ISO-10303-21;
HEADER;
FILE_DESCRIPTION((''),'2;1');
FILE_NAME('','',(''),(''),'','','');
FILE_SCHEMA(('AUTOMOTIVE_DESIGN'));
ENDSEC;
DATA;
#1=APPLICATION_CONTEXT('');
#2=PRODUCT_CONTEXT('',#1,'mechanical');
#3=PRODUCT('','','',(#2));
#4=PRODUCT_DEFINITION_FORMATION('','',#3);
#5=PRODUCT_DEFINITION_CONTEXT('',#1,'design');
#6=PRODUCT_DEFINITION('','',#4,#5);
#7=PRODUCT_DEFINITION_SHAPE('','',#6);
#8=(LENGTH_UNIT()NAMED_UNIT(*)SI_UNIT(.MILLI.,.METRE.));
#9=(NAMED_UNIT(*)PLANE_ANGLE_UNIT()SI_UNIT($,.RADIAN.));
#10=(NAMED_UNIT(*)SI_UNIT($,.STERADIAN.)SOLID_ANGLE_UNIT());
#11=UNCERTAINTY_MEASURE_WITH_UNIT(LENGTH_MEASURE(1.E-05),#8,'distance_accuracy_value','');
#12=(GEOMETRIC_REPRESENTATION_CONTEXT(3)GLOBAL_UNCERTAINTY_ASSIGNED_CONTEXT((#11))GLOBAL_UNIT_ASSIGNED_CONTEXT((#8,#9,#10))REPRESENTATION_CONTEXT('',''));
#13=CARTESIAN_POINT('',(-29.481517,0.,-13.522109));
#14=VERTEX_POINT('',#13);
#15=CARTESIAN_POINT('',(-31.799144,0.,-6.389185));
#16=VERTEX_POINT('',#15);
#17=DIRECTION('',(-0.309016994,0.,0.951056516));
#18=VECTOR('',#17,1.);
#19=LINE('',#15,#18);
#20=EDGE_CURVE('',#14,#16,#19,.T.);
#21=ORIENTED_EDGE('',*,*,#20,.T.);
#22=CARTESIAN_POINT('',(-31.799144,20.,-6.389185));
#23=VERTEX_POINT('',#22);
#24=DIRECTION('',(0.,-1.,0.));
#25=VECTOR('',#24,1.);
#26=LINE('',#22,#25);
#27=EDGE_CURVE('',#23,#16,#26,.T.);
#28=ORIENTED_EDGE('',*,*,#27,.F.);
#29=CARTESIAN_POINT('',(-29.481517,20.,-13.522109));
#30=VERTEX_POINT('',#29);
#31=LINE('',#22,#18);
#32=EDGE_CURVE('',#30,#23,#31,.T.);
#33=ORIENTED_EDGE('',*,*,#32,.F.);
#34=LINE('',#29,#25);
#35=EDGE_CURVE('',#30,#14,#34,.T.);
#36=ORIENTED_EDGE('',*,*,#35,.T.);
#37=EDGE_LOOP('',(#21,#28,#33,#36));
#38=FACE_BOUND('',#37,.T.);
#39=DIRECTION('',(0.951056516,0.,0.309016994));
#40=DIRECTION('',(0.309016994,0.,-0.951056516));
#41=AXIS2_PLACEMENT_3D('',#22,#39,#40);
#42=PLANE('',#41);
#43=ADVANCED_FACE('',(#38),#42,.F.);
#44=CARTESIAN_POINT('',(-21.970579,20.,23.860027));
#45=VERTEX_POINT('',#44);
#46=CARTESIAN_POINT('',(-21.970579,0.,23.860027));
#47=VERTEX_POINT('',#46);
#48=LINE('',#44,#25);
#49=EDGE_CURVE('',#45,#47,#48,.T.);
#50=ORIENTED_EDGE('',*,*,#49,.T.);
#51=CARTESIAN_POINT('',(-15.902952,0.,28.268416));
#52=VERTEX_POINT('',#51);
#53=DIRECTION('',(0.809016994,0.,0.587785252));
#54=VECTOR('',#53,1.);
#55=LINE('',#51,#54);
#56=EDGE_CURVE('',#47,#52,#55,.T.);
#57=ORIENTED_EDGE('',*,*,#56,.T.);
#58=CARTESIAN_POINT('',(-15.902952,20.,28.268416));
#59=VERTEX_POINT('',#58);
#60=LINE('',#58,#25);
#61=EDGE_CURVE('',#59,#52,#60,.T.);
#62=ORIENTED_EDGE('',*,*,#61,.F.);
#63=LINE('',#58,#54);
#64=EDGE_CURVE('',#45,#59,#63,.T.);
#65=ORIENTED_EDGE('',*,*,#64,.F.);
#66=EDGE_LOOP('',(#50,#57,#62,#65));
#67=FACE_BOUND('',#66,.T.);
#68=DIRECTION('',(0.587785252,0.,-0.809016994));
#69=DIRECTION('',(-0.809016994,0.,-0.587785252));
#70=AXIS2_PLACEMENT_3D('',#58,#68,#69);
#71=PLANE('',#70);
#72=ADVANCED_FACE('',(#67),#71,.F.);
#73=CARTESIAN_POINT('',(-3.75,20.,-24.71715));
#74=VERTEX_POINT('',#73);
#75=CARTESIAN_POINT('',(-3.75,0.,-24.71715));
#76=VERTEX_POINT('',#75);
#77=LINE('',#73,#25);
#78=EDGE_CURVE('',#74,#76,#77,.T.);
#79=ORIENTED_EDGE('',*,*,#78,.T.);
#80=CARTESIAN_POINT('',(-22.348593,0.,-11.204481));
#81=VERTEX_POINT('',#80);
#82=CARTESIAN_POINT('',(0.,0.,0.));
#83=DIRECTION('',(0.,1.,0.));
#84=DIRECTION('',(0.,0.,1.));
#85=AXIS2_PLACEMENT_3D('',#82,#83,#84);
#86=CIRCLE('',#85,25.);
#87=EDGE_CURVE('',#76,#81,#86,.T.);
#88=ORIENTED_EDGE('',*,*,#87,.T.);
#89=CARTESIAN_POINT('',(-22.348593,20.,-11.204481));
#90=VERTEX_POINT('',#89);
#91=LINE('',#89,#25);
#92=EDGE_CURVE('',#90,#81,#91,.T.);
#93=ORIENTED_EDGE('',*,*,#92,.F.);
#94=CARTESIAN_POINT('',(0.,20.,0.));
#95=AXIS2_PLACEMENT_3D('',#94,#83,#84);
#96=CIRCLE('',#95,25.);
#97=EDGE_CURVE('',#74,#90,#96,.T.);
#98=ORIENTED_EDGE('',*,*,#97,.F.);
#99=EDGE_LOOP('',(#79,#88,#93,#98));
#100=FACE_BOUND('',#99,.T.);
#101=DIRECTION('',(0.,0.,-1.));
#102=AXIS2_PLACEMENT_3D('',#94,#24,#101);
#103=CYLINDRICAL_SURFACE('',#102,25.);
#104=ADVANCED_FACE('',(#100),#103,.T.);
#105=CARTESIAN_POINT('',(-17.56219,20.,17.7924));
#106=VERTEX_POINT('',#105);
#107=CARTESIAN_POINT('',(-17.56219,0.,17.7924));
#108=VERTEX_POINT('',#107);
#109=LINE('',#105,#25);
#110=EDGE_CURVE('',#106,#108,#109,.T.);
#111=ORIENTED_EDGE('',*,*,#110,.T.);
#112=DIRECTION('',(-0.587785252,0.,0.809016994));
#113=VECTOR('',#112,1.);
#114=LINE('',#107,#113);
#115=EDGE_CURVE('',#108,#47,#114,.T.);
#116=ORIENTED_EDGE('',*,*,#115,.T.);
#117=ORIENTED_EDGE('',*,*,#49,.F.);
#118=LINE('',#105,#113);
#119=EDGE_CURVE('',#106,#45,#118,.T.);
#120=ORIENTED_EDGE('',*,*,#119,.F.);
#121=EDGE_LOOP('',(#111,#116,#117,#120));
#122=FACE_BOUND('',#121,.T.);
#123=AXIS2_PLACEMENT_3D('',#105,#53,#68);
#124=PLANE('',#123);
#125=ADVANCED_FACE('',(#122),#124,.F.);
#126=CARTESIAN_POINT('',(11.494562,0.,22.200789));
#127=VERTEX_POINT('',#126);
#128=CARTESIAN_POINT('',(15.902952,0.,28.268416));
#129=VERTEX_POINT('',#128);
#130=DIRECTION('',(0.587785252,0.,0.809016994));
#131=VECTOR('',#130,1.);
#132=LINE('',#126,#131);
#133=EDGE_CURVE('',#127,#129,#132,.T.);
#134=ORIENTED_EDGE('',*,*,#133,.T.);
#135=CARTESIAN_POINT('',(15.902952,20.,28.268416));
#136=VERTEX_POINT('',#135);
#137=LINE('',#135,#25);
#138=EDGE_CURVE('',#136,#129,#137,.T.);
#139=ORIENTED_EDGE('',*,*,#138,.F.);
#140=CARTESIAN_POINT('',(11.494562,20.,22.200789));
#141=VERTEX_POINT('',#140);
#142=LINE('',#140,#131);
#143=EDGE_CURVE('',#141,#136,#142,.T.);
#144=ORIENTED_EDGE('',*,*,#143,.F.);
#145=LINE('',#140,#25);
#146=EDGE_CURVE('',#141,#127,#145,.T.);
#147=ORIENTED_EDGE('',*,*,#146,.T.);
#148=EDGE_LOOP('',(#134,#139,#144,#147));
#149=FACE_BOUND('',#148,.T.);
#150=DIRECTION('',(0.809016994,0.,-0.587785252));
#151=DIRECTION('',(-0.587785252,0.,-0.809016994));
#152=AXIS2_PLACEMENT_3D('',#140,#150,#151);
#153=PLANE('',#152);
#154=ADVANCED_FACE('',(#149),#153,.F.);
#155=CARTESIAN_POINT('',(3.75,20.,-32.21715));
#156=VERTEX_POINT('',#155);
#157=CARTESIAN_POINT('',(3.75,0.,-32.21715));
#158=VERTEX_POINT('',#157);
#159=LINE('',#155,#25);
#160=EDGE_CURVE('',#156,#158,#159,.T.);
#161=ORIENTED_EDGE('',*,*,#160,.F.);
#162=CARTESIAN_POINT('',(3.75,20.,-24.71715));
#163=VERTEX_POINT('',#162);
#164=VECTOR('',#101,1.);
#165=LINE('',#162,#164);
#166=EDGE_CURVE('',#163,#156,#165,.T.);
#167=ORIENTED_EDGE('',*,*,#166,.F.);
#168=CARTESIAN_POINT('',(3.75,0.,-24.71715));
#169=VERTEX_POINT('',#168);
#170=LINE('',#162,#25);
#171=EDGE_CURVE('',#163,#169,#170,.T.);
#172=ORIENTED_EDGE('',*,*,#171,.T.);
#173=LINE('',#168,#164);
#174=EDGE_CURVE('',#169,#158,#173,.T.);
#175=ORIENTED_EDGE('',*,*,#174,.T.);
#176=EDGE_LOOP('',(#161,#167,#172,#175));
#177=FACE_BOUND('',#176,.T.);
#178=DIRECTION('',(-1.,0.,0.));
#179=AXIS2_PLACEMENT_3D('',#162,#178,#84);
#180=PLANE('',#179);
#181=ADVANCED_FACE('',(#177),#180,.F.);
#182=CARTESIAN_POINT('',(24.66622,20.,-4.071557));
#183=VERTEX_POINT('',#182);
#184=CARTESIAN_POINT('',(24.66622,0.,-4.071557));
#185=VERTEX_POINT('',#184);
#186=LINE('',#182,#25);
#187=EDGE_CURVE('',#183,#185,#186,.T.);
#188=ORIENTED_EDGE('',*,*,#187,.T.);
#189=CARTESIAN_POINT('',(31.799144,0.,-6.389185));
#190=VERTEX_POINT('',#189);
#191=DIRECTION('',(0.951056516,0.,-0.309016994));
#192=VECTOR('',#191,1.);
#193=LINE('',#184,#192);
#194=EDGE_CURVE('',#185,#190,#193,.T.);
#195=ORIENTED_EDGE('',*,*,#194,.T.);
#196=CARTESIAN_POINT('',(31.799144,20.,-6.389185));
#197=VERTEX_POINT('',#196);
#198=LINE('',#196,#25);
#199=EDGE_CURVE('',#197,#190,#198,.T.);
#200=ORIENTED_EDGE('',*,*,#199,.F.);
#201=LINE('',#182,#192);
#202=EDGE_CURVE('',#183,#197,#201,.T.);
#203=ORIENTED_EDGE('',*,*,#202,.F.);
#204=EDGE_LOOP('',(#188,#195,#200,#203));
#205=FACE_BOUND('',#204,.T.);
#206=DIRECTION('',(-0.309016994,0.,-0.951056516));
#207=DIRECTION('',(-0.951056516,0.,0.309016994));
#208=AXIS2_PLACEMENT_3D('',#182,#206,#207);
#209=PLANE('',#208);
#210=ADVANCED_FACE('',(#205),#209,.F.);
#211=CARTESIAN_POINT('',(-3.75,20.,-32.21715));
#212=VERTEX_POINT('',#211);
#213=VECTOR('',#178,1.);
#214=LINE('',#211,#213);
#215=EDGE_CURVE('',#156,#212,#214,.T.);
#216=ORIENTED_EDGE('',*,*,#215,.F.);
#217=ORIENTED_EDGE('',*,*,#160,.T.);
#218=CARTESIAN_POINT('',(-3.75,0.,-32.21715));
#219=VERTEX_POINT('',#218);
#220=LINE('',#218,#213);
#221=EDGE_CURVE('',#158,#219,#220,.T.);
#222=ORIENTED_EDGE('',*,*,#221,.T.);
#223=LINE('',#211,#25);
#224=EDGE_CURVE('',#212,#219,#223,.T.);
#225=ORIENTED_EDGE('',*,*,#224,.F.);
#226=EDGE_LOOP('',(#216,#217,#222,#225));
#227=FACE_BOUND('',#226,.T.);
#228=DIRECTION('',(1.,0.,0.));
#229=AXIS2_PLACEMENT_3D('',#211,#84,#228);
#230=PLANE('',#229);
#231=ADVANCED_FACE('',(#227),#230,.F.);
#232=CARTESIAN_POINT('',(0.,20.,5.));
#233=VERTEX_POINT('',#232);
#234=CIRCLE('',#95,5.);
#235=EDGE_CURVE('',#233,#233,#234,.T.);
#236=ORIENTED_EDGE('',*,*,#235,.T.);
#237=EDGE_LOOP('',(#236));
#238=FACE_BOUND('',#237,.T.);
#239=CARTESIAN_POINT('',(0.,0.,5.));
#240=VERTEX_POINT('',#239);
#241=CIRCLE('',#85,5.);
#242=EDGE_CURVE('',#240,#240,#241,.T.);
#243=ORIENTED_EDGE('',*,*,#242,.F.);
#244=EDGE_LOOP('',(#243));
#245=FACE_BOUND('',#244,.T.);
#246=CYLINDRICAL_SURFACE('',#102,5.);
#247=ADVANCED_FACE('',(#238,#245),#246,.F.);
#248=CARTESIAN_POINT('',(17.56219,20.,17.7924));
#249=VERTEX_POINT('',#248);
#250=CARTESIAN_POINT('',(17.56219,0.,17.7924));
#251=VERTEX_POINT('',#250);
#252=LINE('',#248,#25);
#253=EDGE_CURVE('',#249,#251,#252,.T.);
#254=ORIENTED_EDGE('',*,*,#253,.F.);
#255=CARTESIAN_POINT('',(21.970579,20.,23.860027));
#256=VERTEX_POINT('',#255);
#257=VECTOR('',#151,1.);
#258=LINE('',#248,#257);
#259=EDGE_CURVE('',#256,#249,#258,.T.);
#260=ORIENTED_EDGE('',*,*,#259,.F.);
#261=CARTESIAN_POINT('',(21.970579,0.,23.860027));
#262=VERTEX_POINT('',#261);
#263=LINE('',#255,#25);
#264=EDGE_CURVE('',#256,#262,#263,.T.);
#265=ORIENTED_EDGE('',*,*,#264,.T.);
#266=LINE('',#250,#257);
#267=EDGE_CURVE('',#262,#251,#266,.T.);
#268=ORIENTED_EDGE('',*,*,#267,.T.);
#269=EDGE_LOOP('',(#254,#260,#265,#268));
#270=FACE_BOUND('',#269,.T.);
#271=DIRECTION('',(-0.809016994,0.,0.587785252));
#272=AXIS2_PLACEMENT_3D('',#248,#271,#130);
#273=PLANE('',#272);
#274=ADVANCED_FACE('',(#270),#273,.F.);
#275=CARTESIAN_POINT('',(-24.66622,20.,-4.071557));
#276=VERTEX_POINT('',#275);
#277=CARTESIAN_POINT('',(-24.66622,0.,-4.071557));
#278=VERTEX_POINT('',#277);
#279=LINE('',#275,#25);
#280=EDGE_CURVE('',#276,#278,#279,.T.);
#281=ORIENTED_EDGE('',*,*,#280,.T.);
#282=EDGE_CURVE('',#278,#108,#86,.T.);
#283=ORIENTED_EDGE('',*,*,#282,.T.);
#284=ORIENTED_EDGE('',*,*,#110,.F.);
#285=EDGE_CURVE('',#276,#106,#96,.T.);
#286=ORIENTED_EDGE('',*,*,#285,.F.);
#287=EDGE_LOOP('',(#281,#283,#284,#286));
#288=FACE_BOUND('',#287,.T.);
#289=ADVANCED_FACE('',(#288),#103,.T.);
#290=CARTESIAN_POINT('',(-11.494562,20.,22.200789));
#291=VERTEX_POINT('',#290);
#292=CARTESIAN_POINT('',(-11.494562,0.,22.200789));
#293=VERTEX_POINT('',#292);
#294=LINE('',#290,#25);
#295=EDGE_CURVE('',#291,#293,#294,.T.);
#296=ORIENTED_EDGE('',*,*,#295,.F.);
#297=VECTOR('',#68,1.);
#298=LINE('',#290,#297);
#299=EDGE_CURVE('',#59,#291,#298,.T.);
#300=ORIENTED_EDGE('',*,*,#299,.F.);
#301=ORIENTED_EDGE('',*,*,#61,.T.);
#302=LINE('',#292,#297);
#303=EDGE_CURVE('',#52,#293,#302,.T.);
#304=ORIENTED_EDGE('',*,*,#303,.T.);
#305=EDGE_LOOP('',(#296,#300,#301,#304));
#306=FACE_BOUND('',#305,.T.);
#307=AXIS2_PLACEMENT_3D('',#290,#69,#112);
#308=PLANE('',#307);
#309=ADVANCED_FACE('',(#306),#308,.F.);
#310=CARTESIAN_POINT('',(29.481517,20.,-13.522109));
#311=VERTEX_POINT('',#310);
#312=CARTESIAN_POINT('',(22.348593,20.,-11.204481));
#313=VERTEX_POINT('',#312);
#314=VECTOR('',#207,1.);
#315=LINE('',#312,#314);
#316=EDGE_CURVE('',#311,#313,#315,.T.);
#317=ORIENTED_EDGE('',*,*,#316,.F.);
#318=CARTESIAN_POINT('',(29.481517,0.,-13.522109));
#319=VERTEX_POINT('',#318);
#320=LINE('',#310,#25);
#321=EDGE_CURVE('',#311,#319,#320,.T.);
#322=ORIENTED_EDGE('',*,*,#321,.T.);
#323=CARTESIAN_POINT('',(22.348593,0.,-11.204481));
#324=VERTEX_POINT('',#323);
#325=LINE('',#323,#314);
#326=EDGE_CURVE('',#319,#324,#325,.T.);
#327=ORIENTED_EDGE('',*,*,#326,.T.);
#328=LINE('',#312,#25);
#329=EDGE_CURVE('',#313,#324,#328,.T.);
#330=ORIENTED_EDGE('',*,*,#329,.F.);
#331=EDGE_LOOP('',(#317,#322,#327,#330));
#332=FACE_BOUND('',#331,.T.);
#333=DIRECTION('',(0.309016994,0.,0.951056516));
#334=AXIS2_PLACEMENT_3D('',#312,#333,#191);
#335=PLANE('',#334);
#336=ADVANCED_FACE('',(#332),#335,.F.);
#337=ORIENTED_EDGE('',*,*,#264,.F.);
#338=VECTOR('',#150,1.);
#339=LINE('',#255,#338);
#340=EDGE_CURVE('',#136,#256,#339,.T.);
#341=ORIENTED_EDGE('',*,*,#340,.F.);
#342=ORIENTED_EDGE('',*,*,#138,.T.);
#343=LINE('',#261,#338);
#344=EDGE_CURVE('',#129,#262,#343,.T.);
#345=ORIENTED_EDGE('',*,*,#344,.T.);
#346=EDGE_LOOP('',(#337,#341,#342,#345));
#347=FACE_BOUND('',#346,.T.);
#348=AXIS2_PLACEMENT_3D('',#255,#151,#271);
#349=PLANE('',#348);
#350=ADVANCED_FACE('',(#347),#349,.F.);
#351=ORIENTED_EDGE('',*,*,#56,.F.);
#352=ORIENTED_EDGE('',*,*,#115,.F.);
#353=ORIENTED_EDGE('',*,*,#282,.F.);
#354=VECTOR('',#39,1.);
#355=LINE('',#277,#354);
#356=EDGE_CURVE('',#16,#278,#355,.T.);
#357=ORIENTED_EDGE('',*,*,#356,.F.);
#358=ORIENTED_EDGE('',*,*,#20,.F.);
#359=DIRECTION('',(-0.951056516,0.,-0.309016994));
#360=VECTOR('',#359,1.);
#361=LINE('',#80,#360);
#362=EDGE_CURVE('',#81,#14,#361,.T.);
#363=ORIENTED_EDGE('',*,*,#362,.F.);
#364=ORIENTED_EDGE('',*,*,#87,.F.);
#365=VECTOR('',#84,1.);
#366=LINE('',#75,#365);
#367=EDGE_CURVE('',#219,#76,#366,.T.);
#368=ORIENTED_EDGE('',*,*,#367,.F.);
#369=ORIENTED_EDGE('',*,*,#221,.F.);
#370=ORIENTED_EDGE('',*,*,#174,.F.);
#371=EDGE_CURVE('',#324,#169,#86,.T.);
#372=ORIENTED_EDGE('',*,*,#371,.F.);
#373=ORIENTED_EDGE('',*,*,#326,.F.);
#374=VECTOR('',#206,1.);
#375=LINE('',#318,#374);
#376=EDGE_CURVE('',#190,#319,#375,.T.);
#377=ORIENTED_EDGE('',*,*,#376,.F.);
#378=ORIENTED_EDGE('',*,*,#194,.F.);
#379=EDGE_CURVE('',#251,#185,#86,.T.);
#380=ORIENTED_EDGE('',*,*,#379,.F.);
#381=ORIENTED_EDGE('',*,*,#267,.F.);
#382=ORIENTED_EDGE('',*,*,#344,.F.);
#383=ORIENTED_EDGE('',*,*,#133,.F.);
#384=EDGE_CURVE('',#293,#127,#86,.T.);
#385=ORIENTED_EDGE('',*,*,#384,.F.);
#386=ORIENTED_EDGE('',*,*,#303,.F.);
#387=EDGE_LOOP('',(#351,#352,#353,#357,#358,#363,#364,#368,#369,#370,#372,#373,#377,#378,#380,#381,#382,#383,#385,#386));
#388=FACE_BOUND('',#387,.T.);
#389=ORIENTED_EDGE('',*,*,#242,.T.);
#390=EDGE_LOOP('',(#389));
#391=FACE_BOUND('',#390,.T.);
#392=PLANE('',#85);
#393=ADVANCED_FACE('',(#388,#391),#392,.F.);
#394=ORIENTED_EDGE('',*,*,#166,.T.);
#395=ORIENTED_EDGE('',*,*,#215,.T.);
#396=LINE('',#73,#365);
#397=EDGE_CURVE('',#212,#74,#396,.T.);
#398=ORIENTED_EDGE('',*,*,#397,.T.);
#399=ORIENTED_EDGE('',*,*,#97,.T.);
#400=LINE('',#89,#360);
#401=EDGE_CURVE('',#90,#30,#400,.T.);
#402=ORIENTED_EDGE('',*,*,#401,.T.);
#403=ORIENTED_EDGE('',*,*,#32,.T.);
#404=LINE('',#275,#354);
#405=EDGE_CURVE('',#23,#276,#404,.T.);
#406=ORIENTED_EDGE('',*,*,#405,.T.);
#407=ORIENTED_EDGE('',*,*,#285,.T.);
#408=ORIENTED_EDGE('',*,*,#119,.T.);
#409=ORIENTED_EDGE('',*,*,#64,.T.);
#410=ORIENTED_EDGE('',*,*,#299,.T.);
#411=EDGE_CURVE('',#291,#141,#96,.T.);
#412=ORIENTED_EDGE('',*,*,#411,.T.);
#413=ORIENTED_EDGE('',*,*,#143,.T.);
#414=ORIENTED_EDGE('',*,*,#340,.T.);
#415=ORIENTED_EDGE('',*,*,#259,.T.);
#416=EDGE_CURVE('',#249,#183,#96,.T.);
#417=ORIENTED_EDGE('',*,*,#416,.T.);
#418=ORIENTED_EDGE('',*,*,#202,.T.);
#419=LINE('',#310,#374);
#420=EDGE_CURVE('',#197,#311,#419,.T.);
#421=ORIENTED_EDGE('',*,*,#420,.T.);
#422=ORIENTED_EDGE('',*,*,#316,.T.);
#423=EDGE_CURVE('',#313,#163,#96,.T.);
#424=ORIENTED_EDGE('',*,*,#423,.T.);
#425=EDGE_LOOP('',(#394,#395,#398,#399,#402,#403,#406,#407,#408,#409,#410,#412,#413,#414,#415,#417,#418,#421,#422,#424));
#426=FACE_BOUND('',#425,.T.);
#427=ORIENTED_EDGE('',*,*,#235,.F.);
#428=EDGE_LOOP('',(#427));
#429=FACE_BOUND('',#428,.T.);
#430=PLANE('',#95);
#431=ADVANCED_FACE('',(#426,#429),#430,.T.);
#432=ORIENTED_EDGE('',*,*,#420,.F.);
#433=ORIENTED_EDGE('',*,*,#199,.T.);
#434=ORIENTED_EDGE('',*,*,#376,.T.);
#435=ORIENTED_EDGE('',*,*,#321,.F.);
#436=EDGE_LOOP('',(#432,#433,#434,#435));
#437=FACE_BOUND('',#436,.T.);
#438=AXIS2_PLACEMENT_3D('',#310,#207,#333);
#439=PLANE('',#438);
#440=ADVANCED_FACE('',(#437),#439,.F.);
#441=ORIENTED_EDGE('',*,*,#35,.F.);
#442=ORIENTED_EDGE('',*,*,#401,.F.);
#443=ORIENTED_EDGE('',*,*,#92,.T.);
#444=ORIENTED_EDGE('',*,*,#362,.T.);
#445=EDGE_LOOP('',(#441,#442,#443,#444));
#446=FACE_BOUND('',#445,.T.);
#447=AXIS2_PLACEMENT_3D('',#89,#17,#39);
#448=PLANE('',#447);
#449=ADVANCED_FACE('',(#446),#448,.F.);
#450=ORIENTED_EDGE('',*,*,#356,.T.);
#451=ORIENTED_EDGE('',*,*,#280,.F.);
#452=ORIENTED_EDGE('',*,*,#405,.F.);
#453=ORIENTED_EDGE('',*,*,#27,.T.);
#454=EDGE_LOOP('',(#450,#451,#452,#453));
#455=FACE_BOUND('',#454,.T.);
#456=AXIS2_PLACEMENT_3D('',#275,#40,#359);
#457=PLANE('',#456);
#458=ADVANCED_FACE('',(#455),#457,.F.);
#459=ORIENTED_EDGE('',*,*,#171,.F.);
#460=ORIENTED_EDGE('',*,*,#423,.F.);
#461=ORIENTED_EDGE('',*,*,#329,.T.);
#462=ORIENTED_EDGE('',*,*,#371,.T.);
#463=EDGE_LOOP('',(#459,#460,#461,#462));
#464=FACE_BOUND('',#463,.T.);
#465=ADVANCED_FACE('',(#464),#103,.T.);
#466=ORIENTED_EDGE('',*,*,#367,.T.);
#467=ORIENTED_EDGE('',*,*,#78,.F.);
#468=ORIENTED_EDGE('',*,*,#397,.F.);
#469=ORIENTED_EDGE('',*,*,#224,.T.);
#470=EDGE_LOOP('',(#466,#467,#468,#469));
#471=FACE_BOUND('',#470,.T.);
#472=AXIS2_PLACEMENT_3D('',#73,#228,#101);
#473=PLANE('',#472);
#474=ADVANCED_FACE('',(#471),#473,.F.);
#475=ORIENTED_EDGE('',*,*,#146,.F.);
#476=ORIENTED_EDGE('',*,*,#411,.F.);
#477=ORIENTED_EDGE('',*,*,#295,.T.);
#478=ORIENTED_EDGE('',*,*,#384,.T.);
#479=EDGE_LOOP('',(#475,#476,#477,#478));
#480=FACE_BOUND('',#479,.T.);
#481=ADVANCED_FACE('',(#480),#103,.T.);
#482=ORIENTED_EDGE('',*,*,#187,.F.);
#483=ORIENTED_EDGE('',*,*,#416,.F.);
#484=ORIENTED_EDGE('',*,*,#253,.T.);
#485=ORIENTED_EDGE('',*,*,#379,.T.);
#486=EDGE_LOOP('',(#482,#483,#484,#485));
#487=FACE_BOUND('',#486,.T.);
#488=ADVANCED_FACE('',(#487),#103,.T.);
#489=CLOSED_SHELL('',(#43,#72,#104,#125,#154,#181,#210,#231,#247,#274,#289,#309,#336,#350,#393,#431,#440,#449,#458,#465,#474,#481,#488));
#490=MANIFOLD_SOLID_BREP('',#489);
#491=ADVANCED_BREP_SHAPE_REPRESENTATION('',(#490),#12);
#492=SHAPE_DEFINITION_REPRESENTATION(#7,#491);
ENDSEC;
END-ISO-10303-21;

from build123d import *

# Parameters (mm, degrees)
SKETCH1_R           = 5
BOSS_EXTRUDE1_DEPTH = 20


with BuildPart() as part:
    # Sketch1 → Boss-Extrude1 (new body)
    with BuildSketch(Plane(origin=(0, 0, 0), x_dir=(1, 0, 0), z_dir=(0, 1, 0))):
        with BuildLine():
            Line((29.481516636, 13.522108771), (31.799144094, 6.389184898))
            Line((31.799144094, 6.389184898), (24.666220221, 4.071557441))
            ThreePointArc((24.666220221, 4.071557441), (23.776412907, -7.725424859), (17.562189929, -17.792399639))
            Line((17.562189929, -17.792399639), (21.970579321, -23.860027097))
            Line((21.970579321, -23.860027097), (15.902951863, -28.268416489))
            Line((15.902951863, -28.268416489), (11.494562471, -22.200789031))
            ThreePointArc((11.494562471, -22.200789031), (0, -25), (-11.494562471, -22.200789031))
            Line((-11.494562471, -22.200789031), (-15.902951863, -28.268416489))
            Line((-15.902951863, -28.268416489), (-21.970579321, -23.860027097))
            Line((-21.970579321, -23.860027097), (-17.562189929, -17.792399639))
            ThreePointArc((-17.562189929, -17.792399639), (-23.776412907, -7.725424859), (-24.666220221, 4.071557441))
            Line((-24.666220221, 4.071557441), (-31.799144094, 6.389184898))
            Line((-31.799144094, 6.389184898), (-29.481516636, 13.522108771))
            Line((-29.481516636, 13.522108771), (-22.348592764, 11.204481313))
            ThreePointArc((-22.348592764, 11.204481313), (-14.694631307, 20.225424859), (-3.75, 24.717149917))
            Line((-3.75, 24.717149917), (-3.75, 32.217149917))
            Line((-3.75, 32.217149917), (3.75, 32.217149917))
            Line((3.75, 32.217149917), (3.75, 24.717149917))
            ThreePointArc((3.75, 24.717149917), (14.694631307, 20.225424859), (22.348592764, 11.204481313))
            Line((22.348592764, 11.204481313), (29.481516636, 13.522108771))
        make_face()
        with Locations(Location((0, 0, 0), (0, 0, 270))):
            Circle(SKETCH1_R, mode=Mode.SUBTRACT)
    extrude(amount=BOSS_EXTRUDE1_DEPTH)


solid = part.part
